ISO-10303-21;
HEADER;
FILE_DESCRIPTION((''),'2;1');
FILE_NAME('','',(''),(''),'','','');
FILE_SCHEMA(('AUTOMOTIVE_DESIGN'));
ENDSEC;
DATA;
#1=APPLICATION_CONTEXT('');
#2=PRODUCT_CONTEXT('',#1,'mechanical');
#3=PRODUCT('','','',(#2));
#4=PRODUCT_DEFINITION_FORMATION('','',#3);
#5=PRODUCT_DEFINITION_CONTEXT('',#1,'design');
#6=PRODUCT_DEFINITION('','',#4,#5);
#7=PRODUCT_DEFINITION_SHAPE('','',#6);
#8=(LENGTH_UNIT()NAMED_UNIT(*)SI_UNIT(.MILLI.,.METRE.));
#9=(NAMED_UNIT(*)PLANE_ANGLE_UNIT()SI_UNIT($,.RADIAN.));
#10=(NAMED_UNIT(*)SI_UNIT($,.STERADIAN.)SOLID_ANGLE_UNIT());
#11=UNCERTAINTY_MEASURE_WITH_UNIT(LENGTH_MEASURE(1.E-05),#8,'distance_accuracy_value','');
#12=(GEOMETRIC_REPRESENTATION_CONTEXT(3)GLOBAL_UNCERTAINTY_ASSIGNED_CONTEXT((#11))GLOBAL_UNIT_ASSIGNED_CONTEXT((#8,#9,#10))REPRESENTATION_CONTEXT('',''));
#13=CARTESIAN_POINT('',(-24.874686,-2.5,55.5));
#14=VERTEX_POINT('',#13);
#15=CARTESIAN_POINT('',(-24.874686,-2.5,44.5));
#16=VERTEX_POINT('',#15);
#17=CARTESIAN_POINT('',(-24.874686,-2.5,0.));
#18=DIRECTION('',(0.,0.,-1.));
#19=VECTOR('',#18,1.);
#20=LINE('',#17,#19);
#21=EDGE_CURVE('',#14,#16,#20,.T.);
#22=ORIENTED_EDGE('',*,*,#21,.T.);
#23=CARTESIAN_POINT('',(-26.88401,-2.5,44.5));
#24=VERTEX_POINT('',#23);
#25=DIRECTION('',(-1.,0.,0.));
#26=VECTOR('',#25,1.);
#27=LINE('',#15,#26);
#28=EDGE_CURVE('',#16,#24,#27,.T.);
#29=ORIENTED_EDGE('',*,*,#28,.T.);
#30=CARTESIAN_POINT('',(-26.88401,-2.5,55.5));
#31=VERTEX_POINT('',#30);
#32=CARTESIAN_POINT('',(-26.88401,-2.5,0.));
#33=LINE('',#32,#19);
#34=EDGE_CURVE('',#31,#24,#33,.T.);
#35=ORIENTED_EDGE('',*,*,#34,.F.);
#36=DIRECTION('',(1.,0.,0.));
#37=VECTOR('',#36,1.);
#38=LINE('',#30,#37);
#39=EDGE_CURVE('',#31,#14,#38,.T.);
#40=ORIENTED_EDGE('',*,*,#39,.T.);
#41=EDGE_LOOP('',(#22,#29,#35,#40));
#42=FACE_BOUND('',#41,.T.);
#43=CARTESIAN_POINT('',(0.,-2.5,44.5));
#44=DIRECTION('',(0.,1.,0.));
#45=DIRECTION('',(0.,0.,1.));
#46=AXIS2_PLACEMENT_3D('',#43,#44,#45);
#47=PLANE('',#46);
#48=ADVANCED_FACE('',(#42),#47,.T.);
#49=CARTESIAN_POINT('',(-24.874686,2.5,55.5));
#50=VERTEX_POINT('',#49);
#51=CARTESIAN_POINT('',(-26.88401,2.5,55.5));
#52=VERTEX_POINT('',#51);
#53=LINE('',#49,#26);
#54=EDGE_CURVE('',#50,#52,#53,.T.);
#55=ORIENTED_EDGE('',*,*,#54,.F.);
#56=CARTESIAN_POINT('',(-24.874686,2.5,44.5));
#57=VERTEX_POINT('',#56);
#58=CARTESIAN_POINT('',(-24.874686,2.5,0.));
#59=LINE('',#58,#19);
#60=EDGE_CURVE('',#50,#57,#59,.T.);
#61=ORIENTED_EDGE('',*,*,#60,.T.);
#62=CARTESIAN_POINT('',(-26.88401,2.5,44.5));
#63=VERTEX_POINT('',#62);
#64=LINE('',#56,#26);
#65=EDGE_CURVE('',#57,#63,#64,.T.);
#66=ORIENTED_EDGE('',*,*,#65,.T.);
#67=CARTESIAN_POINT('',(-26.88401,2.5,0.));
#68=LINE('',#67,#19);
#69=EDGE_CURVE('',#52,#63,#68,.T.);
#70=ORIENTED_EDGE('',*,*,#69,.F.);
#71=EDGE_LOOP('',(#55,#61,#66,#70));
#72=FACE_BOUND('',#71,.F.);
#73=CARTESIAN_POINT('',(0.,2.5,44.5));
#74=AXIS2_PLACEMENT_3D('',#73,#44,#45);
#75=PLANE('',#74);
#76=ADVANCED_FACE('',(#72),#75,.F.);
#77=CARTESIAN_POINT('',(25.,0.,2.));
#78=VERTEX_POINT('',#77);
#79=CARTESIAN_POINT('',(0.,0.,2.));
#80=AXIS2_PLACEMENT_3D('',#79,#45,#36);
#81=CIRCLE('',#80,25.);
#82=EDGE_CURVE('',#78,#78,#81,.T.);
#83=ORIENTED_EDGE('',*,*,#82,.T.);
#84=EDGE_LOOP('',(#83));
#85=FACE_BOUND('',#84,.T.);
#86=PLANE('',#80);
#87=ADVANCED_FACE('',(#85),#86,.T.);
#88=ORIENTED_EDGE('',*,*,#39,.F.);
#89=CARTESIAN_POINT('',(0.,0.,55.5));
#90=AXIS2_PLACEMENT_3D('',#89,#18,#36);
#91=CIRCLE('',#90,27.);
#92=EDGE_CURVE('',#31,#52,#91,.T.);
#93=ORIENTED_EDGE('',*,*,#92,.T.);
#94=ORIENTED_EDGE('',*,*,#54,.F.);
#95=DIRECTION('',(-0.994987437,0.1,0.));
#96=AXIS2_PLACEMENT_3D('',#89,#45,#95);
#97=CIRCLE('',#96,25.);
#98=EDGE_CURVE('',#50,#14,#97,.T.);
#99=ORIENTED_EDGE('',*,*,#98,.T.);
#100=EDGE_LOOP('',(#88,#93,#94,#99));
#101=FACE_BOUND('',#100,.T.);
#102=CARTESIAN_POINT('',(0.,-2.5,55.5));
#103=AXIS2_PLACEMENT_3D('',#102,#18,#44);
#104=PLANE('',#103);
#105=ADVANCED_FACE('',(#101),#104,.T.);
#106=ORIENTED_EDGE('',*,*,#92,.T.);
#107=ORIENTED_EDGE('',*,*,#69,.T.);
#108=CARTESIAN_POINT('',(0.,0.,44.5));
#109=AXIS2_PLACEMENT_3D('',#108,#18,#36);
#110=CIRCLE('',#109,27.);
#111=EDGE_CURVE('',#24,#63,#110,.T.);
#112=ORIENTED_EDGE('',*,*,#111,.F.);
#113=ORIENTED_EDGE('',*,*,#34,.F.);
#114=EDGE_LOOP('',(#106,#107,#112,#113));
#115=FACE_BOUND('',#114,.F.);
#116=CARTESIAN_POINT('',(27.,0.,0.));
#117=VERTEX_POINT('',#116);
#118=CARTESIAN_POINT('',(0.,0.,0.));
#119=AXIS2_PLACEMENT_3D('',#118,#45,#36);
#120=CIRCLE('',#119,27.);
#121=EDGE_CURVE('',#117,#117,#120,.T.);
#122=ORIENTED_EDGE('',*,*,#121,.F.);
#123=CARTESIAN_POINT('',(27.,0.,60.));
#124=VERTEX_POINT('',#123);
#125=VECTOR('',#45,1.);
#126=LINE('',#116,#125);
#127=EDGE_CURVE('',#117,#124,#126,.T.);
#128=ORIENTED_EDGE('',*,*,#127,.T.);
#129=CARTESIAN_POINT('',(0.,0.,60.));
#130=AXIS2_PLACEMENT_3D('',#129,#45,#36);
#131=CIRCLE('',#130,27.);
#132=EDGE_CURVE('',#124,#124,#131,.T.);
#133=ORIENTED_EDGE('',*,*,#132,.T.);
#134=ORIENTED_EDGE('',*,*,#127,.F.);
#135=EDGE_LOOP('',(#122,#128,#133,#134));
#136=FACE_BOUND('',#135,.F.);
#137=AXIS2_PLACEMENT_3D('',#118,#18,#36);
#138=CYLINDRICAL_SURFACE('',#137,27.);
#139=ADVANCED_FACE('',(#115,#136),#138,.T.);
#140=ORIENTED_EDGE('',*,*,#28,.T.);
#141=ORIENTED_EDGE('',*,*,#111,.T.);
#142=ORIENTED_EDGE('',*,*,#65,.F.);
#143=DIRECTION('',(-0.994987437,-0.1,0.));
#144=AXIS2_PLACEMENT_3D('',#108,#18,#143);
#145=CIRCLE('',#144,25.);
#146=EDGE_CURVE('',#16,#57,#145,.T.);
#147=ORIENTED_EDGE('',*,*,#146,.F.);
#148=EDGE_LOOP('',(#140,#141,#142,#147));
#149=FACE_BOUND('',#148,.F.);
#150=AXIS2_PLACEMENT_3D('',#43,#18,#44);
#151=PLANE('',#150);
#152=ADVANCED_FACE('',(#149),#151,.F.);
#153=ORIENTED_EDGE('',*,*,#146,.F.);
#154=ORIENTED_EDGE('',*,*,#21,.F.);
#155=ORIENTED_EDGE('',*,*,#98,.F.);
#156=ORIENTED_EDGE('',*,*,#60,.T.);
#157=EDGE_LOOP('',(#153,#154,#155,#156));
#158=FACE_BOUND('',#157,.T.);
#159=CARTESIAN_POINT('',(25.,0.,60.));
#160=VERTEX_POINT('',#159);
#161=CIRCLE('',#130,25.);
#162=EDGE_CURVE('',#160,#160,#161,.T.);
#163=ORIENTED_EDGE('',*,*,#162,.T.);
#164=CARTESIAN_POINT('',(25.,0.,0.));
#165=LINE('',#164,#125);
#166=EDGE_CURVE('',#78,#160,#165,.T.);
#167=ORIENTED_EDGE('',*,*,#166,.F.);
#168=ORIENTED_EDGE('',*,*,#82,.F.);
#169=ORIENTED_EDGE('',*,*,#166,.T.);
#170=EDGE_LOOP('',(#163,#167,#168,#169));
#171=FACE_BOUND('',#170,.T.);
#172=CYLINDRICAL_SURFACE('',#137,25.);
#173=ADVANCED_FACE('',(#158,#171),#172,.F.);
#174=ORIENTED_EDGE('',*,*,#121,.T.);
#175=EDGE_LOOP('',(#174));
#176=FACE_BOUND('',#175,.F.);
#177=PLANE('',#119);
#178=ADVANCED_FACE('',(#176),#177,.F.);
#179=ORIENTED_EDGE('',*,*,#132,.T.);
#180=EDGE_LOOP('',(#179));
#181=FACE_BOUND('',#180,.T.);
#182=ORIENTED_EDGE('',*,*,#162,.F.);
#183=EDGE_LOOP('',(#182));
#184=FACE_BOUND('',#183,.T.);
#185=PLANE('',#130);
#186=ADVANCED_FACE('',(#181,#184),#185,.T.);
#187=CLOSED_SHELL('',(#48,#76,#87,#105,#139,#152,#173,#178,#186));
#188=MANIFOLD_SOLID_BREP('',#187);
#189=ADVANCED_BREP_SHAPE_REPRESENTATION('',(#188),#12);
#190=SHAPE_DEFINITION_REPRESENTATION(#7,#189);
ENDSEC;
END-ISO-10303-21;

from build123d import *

# Parameters (mm, degrees)
F0_R     = 27
F0_R_2   = 25
F1_DEPTH = 60
F2_W     = 5
F2_H     = 11
F3_DEPTH = 25
F4_DEPTH = 30
F5_DEPTH = 2


with BuildPart() as f1:
    # F0 (on Top) → F1 (new body)
    with BuildSketch(Plane.XY):
        Circle(F0_R)
        Circle(F0_R_2, mode=Mode.SUBTRACT)
    extrude(amount=F1_DEPTH)

    # F2 (on Right) → F3 (cut)
    with BuildSketch(Plane.YZ):
        with Locations((0, 50)):
            Rectangle(F2_W, F2_H)
    extrude(amount=-F3_DEPTH, mode=Mode.SUBTRACT)

    # F2 (on Right) → F4 (cut)
    with BuildSketch(Plane.YZ):
        with Locations((0, 50)):
            Rectangle(F2_W, F2_H)
    extrude(amount=-F4_DEPTH, mode=Mode.SUBTRACT)

    # F0 (on Top) → F5 (join)
    with BuildSketch(Plane.XY):
        Circle(F0_R_2)
    extrude(amount=F5_DEPTH)


solid = f1.part
